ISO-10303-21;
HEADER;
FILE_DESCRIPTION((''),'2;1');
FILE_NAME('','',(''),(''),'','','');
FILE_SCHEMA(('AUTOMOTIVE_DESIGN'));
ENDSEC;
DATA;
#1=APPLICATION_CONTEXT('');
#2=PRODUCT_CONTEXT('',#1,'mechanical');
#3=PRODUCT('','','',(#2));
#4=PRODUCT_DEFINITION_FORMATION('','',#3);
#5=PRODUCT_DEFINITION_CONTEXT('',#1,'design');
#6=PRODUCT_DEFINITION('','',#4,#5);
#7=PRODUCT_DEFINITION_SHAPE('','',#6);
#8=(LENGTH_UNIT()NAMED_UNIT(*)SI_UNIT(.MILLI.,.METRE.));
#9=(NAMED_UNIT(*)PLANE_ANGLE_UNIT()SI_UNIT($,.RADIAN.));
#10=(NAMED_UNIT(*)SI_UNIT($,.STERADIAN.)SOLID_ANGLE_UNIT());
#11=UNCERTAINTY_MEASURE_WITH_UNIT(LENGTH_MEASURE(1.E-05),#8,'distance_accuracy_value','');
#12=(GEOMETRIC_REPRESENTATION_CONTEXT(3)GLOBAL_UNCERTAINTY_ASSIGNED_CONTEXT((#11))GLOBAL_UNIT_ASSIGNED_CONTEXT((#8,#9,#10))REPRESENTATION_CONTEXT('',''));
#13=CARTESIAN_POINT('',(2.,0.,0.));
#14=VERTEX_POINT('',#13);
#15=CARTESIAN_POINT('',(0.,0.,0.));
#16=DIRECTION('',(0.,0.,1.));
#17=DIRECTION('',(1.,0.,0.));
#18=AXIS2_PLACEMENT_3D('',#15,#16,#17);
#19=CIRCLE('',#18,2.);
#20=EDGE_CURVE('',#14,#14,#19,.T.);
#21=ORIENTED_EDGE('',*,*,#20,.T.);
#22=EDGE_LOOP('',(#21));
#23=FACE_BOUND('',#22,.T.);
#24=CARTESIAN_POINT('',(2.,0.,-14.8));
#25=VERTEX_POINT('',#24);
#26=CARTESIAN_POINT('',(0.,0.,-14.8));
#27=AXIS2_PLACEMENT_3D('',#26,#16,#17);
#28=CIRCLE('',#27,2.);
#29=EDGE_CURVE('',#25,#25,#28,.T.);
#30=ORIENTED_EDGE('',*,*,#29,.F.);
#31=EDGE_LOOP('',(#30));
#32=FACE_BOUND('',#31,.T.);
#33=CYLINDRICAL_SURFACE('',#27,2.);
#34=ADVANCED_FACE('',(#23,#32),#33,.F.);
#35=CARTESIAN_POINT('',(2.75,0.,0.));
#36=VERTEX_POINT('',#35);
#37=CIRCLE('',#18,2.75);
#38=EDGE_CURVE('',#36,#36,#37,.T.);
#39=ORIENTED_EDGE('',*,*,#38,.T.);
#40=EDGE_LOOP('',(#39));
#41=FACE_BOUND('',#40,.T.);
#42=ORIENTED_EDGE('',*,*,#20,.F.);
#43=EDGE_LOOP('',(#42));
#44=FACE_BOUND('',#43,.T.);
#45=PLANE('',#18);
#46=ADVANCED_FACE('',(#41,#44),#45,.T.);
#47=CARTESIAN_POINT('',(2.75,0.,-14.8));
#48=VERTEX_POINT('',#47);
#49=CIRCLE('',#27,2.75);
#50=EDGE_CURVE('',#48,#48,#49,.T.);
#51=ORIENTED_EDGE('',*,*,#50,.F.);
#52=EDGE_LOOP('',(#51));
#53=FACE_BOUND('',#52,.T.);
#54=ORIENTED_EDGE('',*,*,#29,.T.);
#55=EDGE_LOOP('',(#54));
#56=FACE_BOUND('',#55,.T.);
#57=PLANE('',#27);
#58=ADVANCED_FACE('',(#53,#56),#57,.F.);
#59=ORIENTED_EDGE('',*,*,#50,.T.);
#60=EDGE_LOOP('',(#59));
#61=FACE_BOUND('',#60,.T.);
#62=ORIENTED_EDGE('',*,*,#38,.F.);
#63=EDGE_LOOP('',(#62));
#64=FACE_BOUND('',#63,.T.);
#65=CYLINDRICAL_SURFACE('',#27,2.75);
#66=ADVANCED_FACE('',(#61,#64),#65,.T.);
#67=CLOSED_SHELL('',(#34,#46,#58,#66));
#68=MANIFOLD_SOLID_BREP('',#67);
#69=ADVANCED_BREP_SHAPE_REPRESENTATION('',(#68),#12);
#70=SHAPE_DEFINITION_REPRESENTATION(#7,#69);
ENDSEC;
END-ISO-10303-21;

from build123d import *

# Parameters (mm, degrees)
SKETCH_1_R      = 2.75
SKETCH_1_R_2    = 2
EXTRUDE_1_DEPTH = 14.8


with BuildPart() as part:
    # 草图1 → 凸台-拉伸1 (new body)
    with BuildSketch(Plane.XY):
        Circle(SKETCH_1_R)
        Circle(SKETCH_1_R_2, mode=Mode.SUBTRACT)
    extrude(amount=-EXTRUDE_1_DEPTH)


solid = part.part
